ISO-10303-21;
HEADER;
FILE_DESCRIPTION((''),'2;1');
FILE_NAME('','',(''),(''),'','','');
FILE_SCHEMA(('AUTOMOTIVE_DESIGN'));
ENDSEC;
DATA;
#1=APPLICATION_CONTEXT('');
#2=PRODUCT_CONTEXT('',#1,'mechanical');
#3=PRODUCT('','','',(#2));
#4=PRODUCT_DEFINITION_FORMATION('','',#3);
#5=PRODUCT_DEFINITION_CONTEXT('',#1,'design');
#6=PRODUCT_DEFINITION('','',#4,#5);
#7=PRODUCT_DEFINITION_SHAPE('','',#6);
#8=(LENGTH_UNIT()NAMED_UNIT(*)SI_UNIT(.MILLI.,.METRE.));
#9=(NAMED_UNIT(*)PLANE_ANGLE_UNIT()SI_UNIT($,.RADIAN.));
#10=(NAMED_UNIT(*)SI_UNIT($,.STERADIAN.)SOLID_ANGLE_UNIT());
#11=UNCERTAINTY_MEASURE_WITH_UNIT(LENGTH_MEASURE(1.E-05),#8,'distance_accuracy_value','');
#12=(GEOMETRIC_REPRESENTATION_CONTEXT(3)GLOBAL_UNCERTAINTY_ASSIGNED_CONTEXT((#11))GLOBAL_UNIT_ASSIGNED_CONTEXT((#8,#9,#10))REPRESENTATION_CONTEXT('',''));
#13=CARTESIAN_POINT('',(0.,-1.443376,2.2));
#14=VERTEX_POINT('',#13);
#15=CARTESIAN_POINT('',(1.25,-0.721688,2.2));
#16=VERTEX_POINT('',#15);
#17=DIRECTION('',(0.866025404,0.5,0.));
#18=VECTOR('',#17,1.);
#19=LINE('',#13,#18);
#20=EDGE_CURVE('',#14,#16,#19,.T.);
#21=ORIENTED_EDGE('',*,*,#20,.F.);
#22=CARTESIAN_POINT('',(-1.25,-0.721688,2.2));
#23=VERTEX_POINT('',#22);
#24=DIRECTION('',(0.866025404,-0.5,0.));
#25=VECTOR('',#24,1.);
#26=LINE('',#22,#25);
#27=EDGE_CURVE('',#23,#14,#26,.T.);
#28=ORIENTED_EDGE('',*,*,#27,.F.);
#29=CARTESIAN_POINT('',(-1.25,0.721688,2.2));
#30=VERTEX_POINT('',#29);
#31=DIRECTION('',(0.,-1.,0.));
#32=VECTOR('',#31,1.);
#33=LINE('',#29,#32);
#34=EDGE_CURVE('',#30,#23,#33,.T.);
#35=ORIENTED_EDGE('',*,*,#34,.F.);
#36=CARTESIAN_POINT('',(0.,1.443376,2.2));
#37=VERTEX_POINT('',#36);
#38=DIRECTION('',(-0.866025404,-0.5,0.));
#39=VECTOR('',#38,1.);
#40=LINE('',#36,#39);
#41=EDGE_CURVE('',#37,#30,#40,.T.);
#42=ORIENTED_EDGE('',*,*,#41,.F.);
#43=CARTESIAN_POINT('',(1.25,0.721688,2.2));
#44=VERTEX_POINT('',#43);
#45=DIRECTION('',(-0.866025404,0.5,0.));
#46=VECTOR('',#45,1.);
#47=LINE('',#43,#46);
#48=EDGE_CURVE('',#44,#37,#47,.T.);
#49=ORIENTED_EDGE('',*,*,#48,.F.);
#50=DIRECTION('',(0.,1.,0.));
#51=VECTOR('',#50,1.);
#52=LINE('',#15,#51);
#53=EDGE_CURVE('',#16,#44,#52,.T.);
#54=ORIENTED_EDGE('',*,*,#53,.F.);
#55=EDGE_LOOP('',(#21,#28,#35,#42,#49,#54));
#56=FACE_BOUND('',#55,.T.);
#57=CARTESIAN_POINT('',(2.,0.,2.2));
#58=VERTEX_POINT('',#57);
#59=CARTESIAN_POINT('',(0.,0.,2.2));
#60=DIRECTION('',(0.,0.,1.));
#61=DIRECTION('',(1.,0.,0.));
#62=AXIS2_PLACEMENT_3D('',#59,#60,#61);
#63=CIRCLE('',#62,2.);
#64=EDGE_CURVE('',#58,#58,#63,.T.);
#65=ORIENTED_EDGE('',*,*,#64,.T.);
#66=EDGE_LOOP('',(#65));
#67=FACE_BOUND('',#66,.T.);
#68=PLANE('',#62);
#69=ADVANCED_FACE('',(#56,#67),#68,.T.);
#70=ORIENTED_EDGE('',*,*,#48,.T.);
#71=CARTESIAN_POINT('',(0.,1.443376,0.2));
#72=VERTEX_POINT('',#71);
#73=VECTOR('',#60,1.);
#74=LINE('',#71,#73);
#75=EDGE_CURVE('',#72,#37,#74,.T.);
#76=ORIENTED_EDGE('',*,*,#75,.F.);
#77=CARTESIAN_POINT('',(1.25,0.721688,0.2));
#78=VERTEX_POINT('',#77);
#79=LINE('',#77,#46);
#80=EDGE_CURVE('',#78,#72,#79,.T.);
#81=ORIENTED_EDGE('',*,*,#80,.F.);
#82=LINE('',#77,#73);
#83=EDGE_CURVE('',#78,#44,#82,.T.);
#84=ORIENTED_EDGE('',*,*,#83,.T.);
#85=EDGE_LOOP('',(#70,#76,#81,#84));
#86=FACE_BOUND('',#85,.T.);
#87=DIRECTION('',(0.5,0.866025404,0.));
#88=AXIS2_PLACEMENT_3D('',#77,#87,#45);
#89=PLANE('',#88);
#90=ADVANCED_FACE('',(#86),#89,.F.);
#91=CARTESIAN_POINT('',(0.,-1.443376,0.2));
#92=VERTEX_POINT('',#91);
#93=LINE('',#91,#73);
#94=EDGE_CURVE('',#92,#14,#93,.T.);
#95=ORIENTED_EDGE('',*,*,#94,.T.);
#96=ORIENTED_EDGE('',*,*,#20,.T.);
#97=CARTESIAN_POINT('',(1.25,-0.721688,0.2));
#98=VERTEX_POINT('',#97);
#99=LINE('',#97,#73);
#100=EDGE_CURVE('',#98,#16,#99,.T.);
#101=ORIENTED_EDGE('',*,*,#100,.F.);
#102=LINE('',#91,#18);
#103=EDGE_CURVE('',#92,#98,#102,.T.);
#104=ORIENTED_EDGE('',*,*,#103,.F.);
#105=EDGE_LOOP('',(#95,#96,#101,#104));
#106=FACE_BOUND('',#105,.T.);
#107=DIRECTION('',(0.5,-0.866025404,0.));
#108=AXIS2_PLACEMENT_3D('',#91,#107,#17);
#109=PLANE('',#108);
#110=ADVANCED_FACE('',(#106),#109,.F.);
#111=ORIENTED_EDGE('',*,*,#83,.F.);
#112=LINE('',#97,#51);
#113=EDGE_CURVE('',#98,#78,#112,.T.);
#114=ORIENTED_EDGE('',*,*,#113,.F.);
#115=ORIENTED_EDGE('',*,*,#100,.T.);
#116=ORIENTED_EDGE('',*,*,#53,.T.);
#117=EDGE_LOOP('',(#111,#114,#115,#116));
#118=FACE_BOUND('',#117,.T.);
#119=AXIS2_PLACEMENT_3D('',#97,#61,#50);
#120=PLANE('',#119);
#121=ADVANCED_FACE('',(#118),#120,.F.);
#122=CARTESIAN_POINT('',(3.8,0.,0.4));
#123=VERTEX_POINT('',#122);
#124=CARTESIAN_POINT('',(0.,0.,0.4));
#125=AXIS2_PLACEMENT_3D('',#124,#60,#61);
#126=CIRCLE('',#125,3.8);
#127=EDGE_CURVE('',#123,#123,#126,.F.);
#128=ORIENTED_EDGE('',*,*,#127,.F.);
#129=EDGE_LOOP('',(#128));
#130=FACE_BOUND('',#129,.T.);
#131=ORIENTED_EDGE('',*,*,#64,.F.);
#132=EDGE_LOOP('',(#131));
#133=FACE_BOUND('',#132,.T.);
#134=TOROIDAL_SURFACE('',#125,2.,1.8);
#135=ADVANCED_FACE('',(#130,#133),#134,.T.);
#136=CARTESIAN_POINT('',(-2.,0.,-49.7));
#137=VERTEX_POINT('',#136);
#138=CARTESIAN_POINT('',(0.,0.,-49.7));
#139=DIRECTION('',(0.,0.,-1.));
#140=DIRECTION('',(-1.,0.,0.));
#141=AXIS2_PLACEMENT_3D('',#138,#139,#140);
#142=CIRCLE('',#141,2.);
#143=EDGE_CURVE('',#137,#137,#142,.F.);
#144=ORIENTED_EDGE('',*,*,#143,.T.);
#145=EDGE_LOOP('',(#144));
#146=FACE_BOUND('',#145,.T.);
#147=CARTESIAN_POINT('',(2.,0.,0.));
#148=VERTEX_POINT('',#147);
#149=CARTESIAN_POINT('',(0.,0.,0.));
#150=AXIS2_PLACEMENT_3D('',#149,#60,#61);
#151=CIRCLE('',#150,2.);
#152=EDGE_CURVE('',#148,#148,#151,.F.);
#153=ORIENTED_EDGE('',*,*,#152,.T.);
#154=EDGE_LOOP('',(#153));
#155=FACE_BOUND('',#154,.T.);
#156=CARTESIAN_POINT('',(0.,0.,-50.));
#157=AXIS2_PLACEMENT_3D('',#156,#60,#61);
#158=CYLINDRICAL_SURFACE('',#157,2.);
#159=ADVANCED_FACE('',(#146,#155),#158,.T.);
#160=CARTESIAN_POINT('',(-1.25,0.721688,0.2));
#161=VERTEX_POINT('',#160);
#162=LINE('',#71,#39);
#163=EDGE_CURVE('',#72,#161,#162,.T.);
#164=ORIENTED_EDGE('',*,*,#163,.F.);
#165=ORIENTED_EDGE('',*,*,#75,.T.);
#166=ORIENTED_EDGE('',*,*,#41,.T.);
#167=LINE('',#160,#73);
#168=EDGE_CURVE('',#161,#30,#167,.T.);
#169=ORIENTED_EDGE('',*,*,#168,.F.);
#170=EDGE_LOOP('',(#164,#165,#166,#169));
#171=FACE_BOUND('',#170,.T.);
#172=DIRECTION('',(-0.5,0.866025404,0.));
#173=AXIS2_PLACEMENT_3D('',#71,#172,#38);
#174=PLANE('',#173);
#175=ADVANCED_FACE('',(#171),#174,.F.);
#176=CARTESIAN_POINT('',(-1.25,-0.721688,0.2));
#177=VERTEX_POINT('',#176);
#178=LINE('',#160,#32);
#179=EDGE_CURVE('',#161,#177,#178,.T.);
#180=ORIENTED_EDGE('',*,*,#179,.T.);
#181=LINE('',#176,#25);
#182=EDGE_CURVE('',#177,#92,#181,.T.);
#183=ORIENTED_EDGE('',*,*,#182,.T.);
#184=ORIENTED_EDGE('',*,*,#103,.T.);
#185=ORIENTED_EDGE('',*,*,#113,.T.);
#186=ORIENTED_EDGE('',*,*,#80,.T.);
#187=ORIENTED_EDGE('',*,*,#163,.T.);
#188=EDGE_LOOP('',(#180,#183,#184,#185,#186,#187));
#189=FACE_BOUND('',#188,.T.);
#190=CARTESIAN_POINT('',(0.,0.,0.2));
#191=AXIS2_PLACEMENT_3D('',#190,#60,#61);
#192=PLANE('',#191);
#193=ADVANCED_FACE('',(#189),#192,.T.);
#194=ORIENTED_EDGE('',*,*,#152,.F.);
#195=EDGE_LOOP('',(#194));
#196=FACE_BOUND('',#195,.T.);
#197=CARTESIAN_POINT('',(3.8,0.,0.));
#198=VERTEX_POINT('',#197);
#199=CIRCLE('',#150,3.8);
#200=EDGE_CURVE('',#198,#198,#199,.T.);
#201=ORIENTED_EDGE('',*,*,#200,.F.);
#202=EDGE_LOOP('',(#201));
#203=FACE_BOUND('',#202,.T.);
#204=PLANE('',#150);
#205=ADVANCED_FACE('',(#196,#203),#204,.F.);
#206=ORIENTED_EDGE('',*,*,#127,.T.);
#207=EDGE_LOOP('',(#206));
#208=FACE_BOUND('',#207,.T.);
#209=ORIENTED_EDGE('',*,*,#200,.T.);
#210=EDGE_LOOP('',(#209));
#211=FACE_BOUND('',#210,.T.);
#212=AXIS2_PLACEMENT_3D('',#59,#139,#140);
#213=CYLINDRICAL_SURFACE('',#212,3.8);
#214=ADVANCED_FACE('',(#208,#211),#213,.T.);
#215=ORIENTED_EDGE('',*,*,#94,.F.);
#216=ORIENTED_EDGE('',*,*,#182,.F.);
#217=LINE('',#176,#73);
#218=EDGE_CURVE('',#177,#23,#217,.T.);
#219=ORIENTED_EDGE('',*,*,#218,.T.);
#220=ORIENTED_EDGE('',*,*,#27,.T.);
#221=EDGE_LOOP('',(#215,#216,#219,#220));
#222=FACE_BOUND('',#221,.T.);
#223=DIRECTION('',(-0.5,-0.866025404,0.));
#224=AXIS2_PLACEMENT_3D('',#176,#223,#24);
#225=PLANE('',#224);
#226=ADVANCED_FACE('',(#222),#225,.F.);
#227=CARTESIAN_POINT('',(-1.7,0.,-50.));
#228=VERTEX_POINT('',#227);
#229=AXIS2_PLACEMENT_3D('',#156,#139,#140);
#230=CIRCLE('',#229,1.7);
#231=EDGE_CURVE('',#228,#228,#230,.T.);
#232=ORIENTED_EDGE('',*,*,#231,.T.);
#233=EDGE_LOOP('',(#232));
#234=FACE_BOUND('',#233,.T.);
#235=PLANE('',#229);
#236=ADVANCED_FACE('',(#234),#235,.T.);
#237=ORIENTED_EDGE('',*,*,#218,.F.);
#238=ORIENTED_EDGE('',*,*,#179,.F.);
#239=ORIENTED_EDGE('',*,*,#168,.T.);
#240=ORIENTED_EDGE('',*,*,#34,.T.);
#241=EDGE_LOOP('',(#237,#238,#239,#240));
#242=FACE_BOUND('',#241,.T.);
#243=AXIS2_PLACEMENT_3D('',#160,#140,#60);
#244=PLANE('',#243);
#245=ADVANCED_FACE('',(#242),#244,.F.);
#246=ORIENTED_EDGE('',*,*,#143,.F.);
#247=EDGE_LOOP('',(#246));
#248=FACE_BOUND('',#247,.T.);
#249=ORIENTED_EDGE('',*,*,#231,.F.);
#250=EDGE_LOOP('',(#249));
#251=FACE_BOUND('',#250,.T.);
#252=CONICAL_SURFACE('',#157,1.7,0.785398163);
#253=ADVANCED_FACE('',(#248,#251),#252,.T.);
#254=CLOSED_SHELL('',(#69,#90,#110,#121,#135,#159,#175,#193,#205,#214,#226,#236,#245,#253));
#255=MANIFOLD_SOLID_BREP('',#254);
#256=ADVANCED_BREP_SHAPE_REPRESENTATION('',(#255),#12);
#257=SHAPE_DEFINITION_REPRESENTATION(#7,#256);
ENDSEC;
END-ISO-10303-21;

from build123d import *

# Parameters (mm, degrees)
SKETCH1_R           = 3.8
BOSS_EXTRUDE1_DEPTH = 2.2
SKETCH2_R           = 2
BOSS_EXTRUDE2_DEPTH = 50
CHAMFER1_SIZE       = 0.3
CUT_EXTRUDE1_DEPTH  = 2
FILLET1_R           = 1.8


with BuildPart() as part:
    # Sketch1 → Boss-Extrude1 (new body)
    with BuildSketch(Plane.XY):
        Circle(SKETCH1_R)
    extrude(amount=BOSS_EXTRUDE1_DEPTH)

    # Sketch2 → Boss-Extrude2 (add)
    with BuildSketch(Plane(origin=(0, 0, 0), x_dir=(-1, 0, 0), z_dir=(0, 0, -1))):
        Circle(SKETCH2_R)
    extrude(amount=BOSS_EXTRUDE2_DEPTH)

    # Chamfer1
    chamfer1_edges = [part.edges().sort_by_distance(p)[0] for p in [
        (2, 0, -50),
    ]]
    chamfer(chamfer1_edges, length=CHAMFER1_SIZE)

    # Sketch3 → Cut-Extrude1 (cut)
    with BuildSketch(Plane.XY.offset(2.2)):
        Polygon((0, 1.443375673), (-1.25, 0.721687836), (-1.25, -0.721687836), (0, -1.443375673), (1.25, -0.721687836), (1.25, 0.721687836), align=None)
    extrude(amount=-CUT_EXTRUDE1_DEPTH, mode=Mode.SUBTRACT)

    # Fillet1
    fillet1_edges = [part.edges().sort_by_distance(p)[0] for p in [
        (-3.8, 0, 2.2),
    ]]
    fillet(fillet1_edges, radius=FILLET1_R)


solid = part.part
